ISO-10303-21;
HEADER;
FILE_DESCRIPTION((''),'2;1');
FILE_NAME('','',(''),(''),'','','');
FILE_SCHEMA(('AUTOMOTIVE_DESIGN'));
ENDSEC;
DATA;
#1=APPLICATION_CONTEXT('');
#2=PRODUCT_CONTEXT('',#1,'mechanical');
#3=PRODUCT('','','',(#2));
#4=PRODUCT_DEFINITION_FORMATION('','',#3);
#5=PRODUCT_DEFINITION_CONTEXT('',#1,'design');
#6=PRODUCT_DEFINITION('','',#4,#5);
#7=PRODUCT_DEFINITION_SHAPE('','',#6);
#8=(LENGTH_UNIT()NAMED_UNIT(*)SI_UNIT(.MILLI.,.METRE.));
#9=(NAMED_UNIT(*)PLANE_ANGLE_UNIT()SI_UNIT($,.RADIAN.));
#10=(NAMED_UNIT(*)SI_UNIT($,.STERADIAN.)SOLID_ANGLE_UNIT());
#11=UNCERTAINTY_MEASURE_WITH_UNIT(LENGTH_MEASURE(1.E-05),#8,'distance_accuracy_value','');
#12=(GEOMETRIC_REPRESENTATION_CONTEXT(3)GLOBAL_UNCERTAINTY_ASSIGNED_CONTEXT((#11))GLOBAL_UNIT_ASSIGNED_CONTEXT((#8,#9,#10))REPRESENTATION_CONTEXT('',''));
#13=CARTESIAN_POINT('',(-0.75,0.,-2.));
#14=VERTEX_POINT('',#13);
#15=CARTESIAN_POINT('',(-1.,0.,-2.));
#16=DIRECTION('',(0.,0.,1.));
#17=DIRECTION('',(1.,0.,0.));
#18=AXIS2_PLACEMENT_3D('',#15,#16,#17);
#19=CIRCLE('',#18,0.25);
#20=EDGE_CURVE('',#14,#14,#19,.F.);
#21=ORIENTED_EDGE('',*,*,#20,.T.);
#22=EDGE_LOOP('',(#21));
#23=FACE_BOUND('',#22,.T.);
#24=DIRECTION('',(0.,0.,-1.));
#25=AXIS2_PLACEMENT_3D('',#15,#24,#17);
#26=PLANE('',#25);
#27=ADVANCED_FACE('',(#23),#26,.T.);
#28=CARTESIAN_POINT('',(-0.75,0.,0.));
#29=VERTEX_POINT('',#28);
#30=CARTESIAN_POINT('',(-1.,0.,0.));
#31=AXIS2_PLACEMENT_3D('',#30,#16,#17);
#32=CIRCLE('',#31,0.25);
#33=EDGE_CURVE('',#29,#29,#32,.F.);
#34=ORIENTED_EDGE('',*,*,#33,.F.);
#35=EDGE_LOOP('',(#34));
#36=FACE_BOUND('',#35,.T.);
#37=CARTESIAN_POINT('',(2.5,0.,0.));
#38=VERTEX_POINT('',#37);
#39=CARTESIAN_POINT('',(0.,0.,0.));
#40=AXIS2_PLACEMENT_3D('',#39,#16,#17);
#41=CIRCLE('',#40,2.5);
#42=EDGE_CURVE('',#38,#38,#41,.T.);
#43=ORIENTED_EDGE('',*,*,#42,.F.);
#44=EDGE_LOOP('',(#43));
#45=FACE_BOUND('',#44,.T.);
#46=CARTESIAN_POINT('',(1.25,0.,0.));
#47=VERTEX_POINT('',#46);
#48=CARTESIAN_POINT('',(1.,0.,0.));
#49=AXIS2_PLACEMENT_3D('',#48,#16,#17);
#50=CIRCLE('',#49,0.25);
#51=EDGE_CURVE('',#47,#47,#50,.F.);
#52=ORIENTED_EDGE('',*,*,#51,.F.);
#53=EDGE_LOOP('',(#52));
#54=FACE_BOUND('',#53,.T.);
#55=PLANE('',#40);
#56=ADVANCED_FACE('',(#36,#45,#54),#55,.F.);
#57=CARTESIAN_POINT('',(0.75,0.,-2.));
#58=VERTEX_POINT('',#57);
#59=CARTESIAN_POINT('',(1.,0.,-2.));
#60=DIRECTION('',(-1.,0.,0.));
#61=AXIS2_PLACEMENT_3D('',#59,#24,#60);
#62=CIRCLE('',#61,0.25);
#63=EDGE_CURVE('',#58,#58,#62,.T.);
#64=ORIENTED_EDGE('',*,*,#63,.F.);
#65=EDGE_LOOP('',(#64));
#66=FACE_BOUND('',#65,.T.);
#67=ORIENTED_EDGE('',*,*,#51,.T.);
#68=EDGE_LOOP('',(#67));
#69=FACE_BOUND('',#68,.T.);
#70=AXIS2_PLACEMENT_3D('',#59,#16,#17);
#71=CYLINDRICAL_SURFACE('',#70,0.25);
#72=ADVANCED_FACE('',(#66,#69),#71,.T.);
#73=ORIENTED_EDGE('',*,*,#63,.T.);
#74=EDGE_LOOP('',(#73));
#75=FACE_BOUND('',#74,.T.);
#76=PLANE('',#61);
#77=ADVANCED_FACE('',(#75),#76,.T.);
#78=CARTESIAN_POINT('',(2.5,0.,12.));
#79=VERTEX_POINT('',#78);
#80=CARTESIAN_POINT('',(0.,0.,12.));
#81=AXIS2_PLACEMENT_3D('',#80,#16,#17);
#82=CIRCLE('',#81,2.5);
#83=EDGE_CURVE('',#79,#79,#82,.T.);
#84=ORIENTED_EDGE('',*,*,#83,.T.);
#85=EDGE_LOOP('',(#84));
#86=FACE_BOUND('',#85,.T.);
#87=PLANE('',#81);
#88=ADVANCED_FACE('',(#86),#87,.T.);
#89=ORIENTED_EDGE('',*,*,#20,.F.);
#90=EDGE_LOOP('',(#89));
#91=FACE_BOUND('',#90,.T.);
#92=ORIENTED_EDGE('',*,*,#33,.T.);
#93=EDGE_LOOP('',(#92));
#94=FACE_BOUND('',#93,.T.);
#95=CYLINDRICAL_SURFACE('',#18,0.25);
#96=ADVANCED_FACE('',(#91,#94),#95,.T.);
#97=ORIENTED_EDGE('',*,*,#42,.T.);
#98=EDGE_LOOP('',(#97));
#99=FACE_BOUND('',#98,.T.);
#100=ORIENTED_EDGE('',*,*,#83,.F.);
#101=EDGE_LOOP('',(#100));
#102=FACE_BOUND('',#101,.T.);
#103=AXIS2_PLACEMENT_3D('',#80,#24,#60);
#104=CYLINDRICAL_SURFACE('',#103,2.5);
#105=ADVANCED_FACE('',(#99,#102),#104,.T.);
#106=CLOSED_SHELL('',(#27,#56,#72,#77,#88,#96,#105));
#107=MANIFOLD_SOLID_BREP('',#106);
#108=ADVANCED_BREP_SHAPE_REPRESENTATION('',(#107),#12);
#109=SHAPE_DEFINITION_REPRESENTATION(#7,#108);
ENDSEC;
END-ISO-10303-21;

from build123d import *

# Parameters (mm, degrees)
SKETCH1_R           = 2.5
BOSS_EXTRUDE1_DEPTH = 12
SKETCH3_R           = 0.25


with BuildPart() as part:
    # Sketch1 → Boss-Extrude1 (new body)
    with BuildSketch(Plane.XY):
        Circle(SKETCH1_R)
    extrude(amount=BOSS_EXTRUDE1_DEPTH)

    # Sweep1: sweep along a path in Sketch2
    with BuildLine(Plane(origin=(1, 0, 0), x_dir=(0, 0, -1), z_dir=(1, 0, 0))) as sweep1_path:
        Line((0, 0), (2, 0))
    # Sketch3 → Sweep1 (sweep)
    with BuildSketch(Plane(origin=(0, 0, 0), x_dir=(-1, 0, 0), z_dir=(0, 0, -1))):
        with Locations((-1, 0)):
            Circle(SKETCH3_R)
    sweep1 = sweep(path=sweep1_path.line)

    # Mirror1: Sweep1 across plane
    add(sweep1.mirror(Plane(origin=(0, 0, 0), x_dir=(0, 0, 1), z_dir=(1, 0, 0))))


solid = part.part
